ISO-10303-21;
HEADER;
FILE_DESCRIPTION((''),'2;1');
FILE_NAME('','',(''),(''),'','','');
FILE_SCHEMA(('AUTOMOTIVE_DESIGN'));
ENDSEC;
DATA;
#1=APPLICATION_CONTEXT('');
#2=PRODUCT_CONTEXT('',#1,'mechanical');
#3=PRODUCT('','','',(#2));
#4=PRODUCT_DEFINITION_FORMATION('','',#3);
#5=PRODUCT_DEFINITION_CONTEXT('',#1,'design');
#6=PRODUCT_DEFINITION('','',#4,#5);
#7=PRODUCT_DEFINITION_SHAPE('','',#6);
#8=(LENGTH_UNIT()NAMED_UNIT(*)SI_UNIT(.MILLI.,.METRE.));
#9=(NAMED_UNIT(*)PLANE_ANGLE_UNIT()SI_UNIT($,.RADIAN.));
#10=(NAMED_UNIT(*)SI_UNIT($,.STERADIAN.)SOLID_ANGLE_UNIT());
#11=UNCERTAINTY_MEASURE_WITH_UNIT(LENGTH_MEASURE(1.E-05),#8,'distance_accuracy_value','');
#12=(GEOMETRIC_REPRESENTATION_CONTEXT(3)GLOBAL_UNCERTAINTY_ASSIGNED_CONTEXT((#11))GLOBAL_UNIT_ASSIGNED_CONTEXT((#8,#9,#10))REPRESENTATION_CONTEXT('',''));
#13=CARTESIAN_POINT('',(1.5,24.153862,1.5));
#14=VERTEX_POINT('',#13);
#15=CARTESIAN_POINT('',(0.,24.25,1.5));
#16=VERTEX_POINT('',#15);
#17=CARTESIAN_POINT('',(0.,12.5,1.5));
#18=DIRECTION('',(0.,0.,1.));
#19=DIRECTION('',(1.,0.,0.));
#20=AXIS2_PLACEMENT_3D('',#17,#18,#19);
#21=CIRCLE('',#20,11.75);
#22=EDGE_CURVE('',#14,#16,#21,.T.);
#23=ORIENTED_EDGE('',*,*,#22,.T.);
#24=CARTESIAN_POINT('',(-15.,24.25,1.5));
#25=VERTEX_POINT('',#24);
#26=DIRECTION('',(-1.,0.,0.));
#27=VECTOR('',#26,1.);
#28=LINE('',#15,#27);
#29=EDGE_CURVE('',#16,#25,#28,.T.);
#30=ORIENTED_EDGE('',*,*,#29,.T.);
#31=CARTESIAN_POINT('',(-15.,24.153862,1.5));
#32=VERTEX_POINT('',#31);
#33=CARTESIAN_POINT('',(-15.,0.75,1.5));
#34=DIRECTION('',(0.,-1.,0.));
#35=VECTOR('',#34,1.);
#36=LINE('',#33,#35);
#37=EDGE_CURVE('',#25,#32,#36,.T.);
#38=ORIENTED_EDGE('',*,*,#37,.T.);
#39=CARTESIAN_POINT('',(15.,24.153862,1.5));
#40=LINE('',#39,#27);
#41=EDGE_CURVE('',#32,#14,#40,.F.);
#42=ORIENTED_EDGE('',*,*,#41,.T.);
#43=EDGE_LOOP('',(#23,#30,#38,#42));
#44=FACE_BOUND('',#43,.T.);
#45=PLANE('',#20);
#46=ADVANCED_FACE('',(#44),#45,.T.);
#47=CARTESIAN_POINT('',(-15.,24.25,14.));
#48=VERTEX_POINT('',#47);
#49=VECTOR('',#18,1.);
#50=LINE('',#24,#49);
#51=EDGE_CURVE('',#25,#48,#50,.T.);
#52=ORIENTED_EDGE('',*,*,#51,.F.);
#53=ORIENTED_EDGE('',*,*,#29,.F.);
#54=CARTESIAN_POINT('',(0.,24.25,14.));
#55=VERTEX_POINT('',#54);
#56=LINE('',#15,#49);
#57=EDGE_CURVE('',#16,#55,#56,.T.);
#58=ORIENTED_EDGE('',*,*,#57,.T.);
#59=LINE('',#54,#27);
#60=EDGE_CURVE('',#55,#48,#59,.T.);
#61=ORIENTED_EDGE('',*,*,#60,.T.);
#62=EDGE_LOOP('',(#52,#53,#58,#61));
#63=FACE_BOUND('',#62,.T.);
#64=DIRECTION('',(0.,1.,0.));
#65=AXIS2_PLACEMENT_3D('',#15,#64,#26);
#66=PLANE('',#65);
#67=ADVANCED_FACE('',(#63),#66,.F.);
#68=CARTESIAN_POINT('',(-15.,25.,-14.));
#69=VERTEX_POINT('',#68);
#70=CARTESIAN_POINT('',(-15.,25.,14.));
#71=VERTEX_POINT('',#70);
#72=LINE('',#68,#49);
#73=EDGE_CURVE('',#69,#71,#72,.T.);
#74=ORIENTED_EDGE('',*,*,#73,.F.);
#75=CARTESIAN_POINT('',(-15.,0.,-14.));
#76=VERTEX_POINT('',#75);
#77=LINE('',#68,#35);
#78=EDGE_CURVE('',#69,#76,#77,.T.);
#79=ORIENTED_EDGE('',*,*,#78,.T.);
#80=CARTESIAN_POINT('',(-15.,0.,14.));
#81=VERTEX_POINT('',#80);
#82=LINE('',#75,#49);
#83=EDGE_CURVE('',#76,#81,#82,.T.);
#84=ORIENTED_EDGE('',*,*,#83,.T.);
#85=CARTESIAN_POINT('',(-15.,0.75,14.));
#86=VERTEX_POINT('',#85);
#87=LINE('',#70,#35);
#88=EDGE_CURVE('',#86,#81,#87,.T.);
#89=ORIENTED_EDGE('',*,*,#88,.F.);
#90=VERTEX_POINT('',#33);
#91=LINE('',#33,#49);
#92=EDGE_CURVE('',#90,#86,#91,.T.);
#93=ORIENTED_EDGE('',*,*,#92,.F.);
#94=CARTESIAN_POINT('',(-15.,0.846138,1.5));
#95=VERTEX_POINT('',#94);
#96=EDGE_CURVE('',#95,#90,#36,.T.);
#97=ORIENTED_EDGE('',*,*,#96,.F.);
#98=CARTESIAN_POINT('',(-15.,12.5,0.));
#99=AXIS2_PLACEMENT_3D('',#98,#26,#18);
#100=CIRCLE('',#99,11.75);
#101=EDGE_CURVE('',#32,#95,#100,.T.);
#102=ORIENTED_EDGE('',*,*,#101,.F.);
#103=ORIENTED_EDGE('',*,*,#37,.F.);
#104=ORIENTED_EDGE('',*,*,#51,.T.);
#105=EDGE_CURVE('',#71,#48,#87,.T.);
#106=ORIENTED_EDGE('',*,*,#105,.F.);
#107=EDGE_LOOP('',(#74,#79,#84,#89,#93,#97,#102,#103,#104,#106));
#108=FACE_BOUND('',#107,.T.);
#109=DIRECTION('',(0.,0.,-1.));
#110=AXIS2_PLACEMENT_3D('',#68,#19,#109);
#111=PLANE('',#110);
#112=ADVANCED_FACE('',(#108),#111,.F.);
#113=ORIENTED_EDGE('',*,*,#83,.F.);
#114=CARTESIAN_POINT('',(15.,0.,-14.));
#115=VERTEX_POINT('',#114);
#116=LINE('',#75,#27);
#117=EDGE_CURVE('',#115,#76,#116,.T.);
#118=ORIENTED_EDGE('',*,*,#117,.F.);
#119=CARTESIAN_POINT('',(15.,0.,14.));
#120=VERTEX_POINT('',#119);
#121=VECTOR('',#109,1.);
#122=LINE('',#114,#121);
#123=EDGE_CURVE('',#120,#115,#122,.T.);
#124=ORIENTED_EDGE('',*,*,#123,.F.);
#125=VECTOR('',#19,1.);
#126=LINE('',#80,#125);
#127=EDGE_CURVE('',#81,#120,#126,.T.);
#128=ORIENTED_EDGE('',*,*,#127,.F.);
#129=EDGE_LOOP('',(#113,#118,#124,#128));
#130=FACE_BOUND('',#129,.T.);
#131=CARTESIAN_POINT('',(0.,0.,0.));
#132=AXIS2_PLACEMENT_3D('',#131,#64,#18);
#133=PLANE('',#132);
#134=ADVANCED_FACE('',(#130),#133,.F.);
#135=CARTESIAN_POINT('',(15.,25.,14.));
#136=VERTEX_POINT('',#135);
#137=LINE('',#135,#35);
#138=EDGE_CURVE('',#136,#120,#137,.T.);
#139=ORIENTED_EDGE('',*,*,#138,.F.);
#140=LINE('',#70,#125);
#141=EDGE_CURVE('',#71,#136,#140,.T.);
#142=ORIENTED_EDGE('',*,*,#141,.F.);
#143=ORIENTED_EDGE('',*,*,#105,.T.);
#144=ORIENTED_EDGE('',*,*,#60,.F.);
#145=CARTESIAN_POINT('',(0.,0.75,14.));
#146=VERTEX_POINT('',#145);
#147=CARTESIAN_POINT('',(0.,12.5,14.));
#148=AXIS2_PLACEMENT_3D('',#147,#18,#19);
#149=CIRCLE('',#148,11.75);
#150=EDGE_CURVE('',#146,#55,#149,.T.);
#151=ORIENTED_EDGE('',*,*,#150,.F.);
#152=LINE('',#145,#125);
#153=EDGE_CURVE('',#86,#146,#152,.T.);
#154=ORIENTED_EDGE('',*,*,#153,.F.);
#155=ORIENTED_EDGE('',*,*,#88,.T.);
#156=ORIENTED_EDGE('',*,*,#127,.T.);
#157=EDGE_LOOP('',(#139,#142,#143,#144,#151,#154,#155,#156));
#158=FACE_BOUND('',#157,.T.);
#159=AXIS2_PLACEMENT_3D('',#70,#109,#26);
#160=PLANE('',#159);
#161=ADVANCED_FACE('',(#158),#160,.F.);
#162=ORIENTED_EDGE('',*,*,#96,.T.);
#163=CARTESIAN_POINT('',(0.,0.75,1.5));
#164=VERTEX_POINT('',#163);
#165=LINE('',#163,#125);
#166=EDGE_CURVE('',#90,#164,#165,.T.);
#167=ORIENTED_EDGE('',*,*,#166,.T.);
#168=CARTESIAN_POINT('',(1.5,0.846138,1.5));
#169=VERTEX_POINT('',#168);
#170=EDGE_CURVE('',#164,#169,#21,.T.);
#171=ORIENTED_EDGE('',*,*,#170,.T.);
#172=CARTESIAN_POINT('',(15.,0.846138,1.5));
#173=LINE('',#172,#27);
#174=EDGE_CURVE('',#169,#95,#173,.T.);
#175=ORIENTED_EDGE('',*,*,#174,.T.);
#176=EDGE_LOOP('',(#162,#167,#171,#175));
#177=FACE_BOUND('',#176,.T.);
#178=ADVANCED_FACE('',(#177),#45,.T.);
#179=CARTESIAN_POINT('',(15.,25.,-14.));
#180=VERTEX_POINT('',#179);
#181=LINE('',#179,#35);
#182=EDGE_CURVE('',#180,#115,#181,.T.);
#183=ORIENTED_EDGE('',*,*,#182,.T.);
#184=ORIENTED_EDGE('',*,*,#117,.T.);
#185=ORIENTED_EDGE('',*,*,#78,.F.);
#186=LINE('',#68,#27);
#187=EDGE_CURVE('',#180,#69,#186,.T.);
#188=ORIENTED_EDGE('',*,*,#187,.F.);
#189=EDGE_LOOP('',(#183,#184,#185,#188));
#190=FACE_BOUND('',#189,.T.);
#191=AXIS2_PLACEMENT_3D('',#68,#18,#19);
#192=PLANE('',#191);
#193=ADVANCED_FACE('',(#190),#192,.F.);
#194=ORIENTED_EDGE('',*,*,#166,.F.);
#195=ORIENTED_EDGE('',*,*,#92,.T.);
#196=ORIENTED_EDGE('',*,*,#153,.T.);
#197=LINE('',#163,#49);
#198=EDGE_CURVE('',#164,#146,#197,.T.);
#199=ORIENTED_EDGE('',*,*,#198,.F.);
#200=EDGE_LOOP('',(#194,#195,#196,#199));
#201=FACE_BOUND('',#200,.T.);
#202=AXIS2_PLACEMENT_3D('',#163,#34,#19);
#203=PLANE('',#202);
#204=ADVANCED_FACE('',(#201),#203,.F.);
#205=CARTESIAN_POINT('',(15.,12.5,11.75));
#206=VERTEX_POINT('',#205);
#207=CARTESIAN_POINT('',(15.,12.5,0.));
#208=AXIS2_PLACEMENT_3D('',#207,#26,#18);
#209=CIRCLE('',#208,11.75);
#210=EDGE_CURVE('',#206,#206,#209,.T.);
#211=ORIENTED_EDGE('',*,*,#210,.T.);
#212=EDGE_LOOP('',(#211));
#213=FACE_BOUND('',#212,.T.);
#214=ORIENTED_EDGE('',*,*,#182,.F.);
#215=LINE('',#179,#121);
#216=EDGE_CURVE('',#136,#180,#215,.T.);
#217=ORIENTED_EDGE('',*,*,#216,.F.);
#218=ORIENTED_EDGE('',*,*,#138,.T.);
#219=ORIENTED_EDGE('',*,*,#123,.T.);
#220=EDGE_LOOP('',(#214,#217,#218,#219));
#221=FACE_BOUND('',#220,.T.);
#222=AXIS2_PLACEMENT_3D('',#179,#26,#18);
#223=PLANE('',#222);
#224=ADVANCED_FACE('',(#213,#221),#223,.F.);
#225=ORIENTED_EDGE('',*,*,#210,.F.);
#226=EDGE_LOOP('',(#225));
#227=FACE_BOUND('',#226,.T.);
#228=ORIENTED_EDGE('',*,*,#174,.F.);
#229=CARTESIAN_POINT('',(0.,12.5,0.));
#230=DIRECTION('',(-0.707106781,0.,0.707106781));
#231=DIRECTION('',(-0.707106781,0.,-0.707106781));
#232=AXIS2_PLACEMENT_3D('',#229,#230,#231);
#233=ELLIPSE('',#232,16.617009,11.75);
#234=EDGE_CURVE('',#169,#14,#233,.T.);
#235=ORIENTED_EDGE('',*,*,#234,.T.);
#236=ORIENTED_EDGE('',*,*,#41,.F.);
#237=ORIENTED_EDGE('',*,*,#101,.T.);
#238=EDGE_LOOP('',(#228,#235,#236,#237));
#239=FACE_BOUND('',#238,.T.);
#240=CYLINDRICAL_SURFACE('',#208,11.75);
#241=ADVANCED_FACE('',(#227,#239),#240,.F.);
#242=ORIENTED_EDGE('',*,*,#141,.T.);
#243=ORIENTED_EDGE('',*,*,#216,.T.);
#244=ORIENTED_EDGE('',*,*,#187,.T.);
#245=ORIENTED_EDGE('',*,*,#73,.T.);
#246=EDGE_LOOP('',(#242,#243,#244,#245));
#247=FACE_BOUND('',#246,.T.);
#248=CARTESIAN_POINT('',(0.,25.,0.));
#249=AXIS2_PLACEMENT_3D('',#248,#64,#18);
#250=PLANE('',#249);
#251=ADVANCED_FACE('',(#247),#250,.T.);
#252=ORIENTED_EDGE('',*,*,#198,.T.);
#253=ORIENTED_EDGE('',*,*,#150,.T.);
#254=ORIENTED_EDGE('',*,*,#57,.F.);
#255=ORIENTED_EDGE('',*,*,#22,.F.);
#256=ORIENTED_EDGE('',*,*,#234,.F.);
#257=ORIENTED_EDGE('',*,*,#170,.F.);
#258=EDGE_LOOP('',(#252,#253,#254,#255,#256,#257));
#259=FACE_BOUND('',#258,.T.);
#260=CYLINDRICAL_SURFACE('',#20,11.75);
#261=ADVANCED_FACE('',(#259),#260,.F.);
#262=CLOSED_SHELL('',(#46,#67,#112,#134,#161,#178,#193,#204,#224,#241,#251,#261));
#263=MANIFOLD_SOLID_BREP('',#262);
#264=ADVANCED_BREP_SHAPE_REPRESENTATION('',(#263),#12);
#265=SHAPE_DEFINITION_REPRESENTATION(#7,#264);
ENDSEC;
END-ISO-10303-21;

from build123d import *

# Parameters (mm, degrees)
SKETCH1_W           = 30
SKETCH1_H           = 28
BOSS_EXTRUDE1_DEPTH = 25
SKETCH2_R           = 11.75
CUT_EXTRUDE1_DEPTH  = 42.484937025
CUT_EXTRUDE2_DEPTH  = 12.5


with BuildPart() as part:
    # Sketch1 → Boss-Extrude1 (new body)
    with BuildSketch(Plane(origin=(0, 0, 0), x_dir=(1, 0, 0), z_dir=(0, 1, 0))):
        Rectangle(SKETCH1_W, SKETCH1_H)
    extrude(amount=BOSS_EXTRUDE1_DEPTH)

    # Sketch2 → Cut-Extrude1 (cut, through all)
    with BuildSketch(Plane.ZY.offset(15)):
        with Locations((0, 12.5)):
            Circle(SKETCH2_R)
    extrude(amount=-CUT_EXTRUDE1_DEPTH, mode=Mode.SUBTRACT)

    # Sketch3 → Cut-Extrude2 (cut)
    with BuildSketch(Plane.XY.offset(14)):
        with BuildLine():
            Line((0, 24.25), (-15, 24.25))
            Line((-15, 24.25), (-15, 0.75))
            Line((-15, 0.75), (0, 0.75))
            ThreePointArc((0, 0.75), (11.75, 12.5), (0, 24.25))
        make_face()
    extrude(amount=-CUT_EXTRUDE2_DEPTH, mode=Mode.SUBTRACT)


solid = part.part
